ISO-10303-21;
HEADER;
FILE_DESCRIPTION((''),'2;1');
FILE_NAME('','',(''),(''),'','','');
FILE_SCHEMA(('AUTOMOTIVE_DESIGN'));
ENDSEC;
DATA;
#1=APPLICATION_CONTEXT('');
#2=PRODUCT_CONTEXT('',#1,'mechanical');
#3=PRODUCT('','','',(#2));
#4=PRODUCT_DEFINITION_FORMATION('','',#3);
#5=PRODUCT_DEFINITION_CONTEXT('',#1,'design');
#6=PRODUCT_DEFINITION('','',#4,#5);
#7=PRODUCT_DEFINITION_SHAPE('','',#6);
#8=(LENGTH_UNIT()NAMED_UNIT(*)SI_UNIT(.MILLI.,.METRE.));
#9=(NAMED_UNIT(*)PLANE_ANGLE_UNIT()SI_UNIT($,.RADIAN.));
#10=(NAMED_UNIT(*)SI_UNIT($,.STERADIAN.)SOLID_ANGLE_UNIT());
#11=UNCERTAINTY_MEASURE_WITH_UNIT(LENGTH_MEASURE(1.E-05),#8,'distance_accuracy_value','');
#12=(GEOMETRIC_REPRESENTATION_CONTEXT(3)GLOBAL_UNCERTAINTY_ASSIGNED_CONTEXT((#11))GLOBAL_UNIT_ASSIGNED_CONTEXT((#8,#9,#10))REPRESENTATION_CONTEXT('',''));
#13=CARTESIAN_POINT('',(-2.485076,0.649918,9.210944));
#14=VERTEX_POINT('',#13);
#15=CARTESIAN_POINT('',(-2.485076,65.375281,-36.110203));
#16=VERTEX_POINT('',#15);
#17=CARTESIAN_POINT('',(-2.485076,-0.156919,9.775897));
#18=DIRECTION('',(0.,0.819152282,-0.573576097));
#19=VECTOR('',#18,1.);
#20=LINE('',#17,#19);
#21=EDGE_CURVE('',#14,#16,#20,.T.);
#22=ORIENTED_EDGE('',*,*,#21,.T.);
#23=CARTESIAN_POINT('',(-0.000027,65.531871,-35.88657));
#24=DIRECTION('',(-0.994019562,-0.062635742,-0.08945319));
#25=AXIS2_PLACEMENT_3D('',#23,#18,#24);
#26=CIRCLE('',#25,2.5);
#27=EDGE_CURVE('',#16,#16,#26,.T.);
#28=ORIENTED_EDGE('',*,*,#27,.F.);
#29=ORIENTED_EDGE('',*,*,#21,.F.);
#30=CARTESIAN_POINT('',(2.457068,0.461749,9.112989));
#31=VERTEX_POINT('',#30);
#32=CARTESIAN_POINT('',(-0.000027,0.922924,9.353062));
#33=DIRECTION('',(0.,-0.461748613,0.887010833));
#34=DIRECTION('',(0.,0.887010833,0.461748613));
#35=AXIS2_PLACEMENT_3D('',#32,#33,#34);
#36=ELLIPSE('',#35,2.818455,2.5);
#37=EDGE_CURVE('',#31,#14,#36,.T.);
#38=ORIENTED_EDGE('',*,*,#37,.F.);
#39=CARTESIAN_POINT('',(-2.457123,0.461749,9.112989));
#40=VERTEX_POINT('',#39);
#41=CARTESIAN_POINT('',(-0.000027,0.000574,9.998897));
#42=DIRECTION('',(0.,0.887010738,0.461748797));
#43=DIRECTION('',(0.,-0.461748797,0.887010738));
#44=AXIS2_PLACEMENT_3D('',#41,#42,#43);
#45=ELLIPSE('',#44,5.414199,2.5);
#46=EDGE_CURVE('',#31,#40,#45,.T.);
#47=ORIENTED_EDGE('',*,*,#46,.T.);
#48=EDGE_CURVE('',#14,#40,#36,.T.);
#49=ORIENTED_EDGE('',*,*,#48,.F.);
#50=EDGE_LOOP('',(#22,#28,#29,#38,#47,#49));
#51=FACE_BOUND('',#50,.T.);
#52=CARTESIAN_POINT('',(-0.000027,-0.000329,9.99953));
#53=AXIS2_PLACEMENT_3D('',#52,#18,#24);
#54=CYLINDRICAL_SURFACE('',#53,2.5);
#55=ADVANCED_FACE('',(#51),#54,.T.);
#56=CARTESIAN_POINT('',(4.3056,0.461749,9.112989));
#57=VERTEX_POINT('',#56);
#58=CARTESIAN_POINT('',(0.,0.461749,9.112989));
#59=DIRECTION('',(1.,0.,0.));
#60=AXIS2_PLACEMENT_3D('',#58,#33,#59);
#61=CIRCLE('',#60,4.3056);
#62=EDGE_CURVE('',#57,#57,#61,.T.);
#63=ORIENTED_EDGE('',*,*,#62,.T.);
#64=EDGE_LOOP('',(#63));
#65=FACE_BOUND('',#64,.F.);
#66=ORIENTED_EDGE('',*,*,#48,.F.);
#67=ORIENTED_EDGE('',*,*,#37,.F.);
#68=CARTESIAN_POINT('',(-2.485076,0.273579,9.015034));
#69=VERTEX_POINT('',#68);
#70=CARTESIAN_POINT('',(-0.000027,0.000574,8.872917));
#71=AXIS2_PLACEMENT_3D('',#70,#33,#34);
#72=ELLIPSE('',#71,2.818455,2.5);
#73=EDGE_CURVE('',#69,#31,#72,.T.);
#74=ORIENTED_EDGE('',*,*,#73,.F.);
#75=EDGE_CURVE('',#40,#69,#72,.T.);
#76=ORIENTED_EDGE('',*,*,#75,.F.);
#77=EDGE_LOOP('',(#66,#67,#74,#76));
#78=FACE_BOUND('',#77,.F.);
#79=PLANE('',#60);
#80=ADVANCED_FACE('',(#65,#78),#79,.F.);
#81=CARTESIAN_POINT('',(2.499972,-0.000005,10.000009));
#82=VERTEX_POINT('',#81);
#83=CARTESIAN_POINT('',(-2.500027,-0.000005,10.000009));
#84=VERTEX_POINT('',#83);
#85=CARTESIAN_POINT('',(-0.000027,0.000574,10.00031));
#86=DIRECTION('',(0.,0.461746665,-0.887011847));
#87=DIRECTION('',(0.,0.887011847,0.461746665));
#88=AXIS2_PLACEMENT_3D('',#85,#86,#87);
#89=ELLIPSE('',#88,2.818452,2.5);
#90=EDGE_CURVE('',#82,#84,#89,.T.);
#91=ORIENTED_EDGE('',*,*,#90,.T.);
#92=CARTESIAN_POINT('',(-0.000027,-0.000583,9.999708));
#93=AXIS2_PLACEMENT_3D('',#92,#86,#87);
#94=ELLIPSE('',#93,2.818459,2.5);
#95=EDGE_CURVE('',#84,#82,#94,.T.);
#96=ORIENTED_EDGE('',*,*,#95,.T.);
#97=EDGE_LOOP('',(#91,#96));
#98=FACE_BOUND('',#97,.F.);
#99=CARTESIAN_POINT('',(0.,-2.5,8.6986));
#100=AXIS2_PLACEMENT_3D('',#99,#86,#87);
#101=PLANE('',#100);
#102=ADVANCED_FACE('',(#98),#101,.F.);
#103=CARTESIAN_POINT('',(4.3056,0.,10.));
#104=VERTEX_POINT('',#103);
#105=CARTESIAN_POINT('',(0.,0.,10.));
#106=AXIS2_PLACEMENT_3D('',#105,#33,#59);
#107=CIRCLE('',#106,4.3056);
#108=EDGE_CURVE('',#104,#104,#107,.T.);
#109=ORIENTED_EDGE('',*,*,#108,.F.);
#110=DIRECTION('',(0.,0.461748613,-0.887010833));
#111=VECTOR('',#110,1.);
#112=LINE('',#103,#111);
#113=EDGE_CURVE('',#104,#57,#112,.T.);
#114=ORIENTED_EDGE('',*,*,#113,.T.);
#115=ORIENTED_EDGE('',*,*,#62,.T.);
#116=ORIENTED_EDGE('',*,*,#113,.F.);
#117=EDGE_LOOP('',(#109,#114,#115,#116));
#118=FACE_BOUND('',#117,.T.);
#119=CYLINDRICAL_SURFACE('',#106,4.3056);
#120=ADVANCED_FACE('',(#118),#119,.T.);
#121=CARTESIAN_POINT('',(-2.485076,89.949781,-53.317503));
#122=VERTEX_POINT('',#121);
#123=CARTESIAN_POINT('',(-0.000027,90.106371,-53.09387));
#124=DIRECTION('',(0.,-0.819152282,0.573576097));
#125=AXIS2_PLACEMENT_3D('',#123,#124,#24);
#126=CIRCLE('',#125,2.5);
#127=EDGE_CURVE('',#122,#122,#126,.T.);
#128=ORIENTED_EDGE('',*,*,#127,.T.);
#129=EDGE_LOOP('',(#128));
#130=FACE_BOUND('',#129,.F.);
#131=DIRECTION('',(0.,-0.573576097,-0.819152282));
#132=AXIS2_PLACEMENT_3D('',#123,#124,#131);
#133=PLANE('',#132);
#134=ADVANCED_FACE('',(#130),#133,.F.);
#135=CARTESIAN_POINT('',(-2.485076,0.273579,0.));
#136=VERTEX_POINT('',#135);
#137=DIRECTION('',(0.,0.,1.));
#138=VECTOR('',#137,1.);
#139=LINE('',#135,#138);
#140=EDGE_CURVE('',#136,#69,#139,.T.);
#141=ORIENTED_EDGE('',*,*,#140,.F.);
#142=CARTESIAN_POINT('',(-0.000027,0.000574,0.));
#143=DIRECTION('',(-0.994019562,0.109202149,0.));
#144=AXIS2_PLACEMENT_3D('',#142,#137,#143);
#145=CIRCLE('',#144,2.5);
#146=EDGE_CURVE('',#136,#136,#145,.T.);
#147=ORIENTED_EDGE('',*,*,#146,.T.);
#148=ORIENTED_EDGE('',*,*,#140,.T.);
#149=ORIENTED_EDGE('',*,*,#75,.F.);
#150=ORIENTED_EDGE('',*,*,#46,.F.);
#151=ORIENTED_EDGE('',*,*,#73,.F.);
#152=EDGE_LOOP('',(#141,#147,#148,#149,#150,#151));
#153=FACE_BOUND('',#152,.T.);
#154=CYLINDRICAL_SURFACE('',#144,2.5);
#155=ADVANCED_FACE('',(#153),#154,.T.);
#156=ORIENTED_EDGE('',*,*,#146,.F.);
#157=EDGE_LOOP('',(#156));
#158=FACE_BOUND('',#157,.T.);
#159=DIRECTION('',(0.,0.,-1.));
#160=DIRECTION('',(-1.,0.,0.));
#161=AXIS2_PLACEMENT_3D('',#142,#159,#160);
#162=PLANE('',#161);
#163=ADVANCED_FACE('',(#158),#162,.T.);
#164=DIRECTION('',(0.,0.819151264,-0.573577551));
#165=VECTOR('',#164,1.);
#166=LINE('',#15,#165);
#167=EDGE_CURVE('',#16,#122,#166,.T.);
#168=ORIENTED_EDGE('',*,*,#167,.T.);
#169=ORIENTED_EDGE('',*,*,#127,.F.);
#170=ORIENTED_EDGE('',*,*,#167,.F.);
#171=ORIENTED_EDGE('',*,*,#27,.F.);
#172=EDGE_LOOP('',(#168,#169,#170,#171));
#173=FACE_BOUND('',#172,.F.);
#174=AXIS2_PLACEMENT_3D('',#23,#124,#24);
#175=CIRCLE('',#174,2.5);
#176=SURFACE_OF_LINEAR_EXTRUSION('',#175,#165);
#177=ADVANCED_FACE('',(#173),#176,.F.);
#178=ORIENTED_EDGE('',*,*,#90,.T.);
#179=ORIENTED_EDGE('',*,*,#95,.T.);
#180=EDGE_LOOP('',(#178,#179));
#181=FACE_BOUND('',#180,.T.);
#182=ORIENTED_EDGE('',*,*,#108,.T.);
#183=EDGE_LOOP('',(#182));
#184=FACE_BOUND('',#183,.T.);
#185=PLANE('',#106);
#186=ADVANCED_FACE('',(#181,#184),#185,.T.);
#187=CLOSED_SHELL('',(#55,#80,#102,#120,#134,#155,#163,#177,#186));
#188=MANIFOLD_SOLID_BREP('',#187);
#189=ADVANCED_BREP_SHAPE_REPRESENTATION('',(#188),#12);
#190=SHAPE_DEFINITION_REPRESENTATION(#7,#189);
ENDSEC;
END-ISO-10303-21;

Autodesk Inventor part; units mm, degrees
ref_plane "YZ Plane" through (0, 0, 0) normal (1, 0, 0) x (0, 1, 0)
ref_plane "XZ Plane" through (0, 0, 0) normal (0, 1, 0) x (-1, 0, 0)
ref_plane "XY Plane" through (0, 0, 0) normal (0, 0, 1) x (1, 0, 0)
ref_plane "Work Plane1" through (-18.0552, 1.9841, 10) normal (0, 0, -1) x (-0.994, 0.1092, 0)
ref_plane "Work Plane4" through (0, 0, 10) normal (-0.994, 0.1092, 0) x (-0.1092, -0.994, 0)
ref_plane "Work Plane3" through (-40.2485, 19.0101, 10) normal (-0.994, 0.1092, 0) x (-0.1092, -0.994, 0)
sketch "Sketch1" plane through (0, 0, 10) normal (-1, 0, 0) x (0, -1, 0)
  line L0 (0, -10) -> (0, 0)
  line L1 (0, 0) -> (-65.5322, -45.8861)
  line L2 (-7.1094, 2.5876) -> (7.1094, -2.5876)
  line L3 (-65.5322, -45.8861) -> (-90.1067, -63.0934)
  dimension "d0" = 10
  dimension "d1" = 80
  dimension "d2" = 55
  dimension "d6" = 70
  dimension "d23" = 30
  dimension "d26" = 180
ref_plane "Work Plane7" through (-18.0552, 1.9841, 10) normal (0, 0, -1) x (-0.994, 0.1092, 0)
sketch "Sketch3" plane through (-18.0552, 1.9841, 10) normal (0, 0, -1) x (-0.994, 0.1092, 0)
  circle A0 centre (-18.1638, 0) radius 11.5 projected
  circle A1 centre (-18.1638, 0) radius 2.5
  point P0 (-18.1638, 0)
  dimension "d7" = 5
sweep "Sweep1" add profiles "Sketch3" path "Sketch1" path curves L0 L1 L3 contours A1
sketch "Sketch7" plane through (0, 0, 10) normal (-1, 0, 0) x (0, -1, 0)
  line L0 (0, 0) -> (0, 0) projected
  line L1 (0, 0) -> (0, 0) projected
  line L2 (2.5, -10) -> (-2.5, -10) projected
  line L3 (0, 0) -> (0, 0) projected
  line L4 (0, 0) -> (0, 0) projected
  line L5 (2.5, -10) -> (2.5, 4.8025) projected
  line L6 (-2.5, -10) -> (-2.5, -4.8025) projected
  line L7 (-2.5, -4.8025) -> (0, 0) projected
  line L8 (0, -10) -> (0, 10)
  line L9 (4.3722, -2.276) -> (-21.1551, 11.0126)
  line L10 (-21.1551, 11.0126) -> (5.5876, 18.8192)
  line L11 (5.5876, 18.8192) -> (13.2411, 1.6857)
  line L12 (13.2411, 1.6857) -> (4.3722, -2.276)
  line L13 (-48.3403, -54.2978) -> (-48.6823, -53.3019)
  line L14 (-73.7647, -67.98) -> (-66.6763, -71.8283)
  line L15 (-66.6763, -71.8283) -> (-47.7403, -64.4229)
  line L16 (-47.7403, -64.4229) -> (-48.3403, -54.2978)
  line L17 (-55.533, -59.0685) -> (-56.5685, -56.5685) projected
  line L18 (-48.6823, -53.3019) -> (-76.2479, -64.72)
  line L19 (-76.2479, -64.72) -> (-73.7647, -67.98)
  point P0 (-65.0552, -65.9873)
extrude "Extrusion4" cut sketch "Sketch7" along normal mid plane 10 contours L9 L10 L11 L12
sketch "Sketch8" plane through (0, 0, 10) normal (0, -0.4617, 0.887) x (1, 0, 0)
  ellipse E0 centre (0, 0) end of major axis (0, 2.8185) minor radius 2.5 (2.5, 0) -> (-2.5, 0) ccw projected
  ellipse E1 centre (0, 0) end of major axis (0, -2.8185) minor radius 2.5 (-2.5, 0) -> (2.5, 0) ccw projected
  circle A0 centre (0, 0) radius 4.3056
  point P0 (0, -4.6175)
extrude "Extrusion5" add sketch "Sketch8" against normal blind 1 contours E1 E0 | A0
sketch "Sketch9" plane through (-6.4984, 57.0254, -46.7578) normal (0, -0.3827, -0.9239) x (0, -0.9239, 0.3827)
  ellipse E0 centre (0.4945, -6.4984) end of major axis (-6.0383, -6.4984) minor radius 2.5 projected
  circle A0 centre (0.4945, -6.4984) radius 10.9648
  point P0 (70.578, -6.4984)
extrude "Extrusion6" [suppressed]
ref_plane "Work Plane2" through (-1.6385, -14.9102, 10) normal (0, 0, 1) x (0.994, -0.1092, 0)
properties part number "cellSTORM_lightpath"
